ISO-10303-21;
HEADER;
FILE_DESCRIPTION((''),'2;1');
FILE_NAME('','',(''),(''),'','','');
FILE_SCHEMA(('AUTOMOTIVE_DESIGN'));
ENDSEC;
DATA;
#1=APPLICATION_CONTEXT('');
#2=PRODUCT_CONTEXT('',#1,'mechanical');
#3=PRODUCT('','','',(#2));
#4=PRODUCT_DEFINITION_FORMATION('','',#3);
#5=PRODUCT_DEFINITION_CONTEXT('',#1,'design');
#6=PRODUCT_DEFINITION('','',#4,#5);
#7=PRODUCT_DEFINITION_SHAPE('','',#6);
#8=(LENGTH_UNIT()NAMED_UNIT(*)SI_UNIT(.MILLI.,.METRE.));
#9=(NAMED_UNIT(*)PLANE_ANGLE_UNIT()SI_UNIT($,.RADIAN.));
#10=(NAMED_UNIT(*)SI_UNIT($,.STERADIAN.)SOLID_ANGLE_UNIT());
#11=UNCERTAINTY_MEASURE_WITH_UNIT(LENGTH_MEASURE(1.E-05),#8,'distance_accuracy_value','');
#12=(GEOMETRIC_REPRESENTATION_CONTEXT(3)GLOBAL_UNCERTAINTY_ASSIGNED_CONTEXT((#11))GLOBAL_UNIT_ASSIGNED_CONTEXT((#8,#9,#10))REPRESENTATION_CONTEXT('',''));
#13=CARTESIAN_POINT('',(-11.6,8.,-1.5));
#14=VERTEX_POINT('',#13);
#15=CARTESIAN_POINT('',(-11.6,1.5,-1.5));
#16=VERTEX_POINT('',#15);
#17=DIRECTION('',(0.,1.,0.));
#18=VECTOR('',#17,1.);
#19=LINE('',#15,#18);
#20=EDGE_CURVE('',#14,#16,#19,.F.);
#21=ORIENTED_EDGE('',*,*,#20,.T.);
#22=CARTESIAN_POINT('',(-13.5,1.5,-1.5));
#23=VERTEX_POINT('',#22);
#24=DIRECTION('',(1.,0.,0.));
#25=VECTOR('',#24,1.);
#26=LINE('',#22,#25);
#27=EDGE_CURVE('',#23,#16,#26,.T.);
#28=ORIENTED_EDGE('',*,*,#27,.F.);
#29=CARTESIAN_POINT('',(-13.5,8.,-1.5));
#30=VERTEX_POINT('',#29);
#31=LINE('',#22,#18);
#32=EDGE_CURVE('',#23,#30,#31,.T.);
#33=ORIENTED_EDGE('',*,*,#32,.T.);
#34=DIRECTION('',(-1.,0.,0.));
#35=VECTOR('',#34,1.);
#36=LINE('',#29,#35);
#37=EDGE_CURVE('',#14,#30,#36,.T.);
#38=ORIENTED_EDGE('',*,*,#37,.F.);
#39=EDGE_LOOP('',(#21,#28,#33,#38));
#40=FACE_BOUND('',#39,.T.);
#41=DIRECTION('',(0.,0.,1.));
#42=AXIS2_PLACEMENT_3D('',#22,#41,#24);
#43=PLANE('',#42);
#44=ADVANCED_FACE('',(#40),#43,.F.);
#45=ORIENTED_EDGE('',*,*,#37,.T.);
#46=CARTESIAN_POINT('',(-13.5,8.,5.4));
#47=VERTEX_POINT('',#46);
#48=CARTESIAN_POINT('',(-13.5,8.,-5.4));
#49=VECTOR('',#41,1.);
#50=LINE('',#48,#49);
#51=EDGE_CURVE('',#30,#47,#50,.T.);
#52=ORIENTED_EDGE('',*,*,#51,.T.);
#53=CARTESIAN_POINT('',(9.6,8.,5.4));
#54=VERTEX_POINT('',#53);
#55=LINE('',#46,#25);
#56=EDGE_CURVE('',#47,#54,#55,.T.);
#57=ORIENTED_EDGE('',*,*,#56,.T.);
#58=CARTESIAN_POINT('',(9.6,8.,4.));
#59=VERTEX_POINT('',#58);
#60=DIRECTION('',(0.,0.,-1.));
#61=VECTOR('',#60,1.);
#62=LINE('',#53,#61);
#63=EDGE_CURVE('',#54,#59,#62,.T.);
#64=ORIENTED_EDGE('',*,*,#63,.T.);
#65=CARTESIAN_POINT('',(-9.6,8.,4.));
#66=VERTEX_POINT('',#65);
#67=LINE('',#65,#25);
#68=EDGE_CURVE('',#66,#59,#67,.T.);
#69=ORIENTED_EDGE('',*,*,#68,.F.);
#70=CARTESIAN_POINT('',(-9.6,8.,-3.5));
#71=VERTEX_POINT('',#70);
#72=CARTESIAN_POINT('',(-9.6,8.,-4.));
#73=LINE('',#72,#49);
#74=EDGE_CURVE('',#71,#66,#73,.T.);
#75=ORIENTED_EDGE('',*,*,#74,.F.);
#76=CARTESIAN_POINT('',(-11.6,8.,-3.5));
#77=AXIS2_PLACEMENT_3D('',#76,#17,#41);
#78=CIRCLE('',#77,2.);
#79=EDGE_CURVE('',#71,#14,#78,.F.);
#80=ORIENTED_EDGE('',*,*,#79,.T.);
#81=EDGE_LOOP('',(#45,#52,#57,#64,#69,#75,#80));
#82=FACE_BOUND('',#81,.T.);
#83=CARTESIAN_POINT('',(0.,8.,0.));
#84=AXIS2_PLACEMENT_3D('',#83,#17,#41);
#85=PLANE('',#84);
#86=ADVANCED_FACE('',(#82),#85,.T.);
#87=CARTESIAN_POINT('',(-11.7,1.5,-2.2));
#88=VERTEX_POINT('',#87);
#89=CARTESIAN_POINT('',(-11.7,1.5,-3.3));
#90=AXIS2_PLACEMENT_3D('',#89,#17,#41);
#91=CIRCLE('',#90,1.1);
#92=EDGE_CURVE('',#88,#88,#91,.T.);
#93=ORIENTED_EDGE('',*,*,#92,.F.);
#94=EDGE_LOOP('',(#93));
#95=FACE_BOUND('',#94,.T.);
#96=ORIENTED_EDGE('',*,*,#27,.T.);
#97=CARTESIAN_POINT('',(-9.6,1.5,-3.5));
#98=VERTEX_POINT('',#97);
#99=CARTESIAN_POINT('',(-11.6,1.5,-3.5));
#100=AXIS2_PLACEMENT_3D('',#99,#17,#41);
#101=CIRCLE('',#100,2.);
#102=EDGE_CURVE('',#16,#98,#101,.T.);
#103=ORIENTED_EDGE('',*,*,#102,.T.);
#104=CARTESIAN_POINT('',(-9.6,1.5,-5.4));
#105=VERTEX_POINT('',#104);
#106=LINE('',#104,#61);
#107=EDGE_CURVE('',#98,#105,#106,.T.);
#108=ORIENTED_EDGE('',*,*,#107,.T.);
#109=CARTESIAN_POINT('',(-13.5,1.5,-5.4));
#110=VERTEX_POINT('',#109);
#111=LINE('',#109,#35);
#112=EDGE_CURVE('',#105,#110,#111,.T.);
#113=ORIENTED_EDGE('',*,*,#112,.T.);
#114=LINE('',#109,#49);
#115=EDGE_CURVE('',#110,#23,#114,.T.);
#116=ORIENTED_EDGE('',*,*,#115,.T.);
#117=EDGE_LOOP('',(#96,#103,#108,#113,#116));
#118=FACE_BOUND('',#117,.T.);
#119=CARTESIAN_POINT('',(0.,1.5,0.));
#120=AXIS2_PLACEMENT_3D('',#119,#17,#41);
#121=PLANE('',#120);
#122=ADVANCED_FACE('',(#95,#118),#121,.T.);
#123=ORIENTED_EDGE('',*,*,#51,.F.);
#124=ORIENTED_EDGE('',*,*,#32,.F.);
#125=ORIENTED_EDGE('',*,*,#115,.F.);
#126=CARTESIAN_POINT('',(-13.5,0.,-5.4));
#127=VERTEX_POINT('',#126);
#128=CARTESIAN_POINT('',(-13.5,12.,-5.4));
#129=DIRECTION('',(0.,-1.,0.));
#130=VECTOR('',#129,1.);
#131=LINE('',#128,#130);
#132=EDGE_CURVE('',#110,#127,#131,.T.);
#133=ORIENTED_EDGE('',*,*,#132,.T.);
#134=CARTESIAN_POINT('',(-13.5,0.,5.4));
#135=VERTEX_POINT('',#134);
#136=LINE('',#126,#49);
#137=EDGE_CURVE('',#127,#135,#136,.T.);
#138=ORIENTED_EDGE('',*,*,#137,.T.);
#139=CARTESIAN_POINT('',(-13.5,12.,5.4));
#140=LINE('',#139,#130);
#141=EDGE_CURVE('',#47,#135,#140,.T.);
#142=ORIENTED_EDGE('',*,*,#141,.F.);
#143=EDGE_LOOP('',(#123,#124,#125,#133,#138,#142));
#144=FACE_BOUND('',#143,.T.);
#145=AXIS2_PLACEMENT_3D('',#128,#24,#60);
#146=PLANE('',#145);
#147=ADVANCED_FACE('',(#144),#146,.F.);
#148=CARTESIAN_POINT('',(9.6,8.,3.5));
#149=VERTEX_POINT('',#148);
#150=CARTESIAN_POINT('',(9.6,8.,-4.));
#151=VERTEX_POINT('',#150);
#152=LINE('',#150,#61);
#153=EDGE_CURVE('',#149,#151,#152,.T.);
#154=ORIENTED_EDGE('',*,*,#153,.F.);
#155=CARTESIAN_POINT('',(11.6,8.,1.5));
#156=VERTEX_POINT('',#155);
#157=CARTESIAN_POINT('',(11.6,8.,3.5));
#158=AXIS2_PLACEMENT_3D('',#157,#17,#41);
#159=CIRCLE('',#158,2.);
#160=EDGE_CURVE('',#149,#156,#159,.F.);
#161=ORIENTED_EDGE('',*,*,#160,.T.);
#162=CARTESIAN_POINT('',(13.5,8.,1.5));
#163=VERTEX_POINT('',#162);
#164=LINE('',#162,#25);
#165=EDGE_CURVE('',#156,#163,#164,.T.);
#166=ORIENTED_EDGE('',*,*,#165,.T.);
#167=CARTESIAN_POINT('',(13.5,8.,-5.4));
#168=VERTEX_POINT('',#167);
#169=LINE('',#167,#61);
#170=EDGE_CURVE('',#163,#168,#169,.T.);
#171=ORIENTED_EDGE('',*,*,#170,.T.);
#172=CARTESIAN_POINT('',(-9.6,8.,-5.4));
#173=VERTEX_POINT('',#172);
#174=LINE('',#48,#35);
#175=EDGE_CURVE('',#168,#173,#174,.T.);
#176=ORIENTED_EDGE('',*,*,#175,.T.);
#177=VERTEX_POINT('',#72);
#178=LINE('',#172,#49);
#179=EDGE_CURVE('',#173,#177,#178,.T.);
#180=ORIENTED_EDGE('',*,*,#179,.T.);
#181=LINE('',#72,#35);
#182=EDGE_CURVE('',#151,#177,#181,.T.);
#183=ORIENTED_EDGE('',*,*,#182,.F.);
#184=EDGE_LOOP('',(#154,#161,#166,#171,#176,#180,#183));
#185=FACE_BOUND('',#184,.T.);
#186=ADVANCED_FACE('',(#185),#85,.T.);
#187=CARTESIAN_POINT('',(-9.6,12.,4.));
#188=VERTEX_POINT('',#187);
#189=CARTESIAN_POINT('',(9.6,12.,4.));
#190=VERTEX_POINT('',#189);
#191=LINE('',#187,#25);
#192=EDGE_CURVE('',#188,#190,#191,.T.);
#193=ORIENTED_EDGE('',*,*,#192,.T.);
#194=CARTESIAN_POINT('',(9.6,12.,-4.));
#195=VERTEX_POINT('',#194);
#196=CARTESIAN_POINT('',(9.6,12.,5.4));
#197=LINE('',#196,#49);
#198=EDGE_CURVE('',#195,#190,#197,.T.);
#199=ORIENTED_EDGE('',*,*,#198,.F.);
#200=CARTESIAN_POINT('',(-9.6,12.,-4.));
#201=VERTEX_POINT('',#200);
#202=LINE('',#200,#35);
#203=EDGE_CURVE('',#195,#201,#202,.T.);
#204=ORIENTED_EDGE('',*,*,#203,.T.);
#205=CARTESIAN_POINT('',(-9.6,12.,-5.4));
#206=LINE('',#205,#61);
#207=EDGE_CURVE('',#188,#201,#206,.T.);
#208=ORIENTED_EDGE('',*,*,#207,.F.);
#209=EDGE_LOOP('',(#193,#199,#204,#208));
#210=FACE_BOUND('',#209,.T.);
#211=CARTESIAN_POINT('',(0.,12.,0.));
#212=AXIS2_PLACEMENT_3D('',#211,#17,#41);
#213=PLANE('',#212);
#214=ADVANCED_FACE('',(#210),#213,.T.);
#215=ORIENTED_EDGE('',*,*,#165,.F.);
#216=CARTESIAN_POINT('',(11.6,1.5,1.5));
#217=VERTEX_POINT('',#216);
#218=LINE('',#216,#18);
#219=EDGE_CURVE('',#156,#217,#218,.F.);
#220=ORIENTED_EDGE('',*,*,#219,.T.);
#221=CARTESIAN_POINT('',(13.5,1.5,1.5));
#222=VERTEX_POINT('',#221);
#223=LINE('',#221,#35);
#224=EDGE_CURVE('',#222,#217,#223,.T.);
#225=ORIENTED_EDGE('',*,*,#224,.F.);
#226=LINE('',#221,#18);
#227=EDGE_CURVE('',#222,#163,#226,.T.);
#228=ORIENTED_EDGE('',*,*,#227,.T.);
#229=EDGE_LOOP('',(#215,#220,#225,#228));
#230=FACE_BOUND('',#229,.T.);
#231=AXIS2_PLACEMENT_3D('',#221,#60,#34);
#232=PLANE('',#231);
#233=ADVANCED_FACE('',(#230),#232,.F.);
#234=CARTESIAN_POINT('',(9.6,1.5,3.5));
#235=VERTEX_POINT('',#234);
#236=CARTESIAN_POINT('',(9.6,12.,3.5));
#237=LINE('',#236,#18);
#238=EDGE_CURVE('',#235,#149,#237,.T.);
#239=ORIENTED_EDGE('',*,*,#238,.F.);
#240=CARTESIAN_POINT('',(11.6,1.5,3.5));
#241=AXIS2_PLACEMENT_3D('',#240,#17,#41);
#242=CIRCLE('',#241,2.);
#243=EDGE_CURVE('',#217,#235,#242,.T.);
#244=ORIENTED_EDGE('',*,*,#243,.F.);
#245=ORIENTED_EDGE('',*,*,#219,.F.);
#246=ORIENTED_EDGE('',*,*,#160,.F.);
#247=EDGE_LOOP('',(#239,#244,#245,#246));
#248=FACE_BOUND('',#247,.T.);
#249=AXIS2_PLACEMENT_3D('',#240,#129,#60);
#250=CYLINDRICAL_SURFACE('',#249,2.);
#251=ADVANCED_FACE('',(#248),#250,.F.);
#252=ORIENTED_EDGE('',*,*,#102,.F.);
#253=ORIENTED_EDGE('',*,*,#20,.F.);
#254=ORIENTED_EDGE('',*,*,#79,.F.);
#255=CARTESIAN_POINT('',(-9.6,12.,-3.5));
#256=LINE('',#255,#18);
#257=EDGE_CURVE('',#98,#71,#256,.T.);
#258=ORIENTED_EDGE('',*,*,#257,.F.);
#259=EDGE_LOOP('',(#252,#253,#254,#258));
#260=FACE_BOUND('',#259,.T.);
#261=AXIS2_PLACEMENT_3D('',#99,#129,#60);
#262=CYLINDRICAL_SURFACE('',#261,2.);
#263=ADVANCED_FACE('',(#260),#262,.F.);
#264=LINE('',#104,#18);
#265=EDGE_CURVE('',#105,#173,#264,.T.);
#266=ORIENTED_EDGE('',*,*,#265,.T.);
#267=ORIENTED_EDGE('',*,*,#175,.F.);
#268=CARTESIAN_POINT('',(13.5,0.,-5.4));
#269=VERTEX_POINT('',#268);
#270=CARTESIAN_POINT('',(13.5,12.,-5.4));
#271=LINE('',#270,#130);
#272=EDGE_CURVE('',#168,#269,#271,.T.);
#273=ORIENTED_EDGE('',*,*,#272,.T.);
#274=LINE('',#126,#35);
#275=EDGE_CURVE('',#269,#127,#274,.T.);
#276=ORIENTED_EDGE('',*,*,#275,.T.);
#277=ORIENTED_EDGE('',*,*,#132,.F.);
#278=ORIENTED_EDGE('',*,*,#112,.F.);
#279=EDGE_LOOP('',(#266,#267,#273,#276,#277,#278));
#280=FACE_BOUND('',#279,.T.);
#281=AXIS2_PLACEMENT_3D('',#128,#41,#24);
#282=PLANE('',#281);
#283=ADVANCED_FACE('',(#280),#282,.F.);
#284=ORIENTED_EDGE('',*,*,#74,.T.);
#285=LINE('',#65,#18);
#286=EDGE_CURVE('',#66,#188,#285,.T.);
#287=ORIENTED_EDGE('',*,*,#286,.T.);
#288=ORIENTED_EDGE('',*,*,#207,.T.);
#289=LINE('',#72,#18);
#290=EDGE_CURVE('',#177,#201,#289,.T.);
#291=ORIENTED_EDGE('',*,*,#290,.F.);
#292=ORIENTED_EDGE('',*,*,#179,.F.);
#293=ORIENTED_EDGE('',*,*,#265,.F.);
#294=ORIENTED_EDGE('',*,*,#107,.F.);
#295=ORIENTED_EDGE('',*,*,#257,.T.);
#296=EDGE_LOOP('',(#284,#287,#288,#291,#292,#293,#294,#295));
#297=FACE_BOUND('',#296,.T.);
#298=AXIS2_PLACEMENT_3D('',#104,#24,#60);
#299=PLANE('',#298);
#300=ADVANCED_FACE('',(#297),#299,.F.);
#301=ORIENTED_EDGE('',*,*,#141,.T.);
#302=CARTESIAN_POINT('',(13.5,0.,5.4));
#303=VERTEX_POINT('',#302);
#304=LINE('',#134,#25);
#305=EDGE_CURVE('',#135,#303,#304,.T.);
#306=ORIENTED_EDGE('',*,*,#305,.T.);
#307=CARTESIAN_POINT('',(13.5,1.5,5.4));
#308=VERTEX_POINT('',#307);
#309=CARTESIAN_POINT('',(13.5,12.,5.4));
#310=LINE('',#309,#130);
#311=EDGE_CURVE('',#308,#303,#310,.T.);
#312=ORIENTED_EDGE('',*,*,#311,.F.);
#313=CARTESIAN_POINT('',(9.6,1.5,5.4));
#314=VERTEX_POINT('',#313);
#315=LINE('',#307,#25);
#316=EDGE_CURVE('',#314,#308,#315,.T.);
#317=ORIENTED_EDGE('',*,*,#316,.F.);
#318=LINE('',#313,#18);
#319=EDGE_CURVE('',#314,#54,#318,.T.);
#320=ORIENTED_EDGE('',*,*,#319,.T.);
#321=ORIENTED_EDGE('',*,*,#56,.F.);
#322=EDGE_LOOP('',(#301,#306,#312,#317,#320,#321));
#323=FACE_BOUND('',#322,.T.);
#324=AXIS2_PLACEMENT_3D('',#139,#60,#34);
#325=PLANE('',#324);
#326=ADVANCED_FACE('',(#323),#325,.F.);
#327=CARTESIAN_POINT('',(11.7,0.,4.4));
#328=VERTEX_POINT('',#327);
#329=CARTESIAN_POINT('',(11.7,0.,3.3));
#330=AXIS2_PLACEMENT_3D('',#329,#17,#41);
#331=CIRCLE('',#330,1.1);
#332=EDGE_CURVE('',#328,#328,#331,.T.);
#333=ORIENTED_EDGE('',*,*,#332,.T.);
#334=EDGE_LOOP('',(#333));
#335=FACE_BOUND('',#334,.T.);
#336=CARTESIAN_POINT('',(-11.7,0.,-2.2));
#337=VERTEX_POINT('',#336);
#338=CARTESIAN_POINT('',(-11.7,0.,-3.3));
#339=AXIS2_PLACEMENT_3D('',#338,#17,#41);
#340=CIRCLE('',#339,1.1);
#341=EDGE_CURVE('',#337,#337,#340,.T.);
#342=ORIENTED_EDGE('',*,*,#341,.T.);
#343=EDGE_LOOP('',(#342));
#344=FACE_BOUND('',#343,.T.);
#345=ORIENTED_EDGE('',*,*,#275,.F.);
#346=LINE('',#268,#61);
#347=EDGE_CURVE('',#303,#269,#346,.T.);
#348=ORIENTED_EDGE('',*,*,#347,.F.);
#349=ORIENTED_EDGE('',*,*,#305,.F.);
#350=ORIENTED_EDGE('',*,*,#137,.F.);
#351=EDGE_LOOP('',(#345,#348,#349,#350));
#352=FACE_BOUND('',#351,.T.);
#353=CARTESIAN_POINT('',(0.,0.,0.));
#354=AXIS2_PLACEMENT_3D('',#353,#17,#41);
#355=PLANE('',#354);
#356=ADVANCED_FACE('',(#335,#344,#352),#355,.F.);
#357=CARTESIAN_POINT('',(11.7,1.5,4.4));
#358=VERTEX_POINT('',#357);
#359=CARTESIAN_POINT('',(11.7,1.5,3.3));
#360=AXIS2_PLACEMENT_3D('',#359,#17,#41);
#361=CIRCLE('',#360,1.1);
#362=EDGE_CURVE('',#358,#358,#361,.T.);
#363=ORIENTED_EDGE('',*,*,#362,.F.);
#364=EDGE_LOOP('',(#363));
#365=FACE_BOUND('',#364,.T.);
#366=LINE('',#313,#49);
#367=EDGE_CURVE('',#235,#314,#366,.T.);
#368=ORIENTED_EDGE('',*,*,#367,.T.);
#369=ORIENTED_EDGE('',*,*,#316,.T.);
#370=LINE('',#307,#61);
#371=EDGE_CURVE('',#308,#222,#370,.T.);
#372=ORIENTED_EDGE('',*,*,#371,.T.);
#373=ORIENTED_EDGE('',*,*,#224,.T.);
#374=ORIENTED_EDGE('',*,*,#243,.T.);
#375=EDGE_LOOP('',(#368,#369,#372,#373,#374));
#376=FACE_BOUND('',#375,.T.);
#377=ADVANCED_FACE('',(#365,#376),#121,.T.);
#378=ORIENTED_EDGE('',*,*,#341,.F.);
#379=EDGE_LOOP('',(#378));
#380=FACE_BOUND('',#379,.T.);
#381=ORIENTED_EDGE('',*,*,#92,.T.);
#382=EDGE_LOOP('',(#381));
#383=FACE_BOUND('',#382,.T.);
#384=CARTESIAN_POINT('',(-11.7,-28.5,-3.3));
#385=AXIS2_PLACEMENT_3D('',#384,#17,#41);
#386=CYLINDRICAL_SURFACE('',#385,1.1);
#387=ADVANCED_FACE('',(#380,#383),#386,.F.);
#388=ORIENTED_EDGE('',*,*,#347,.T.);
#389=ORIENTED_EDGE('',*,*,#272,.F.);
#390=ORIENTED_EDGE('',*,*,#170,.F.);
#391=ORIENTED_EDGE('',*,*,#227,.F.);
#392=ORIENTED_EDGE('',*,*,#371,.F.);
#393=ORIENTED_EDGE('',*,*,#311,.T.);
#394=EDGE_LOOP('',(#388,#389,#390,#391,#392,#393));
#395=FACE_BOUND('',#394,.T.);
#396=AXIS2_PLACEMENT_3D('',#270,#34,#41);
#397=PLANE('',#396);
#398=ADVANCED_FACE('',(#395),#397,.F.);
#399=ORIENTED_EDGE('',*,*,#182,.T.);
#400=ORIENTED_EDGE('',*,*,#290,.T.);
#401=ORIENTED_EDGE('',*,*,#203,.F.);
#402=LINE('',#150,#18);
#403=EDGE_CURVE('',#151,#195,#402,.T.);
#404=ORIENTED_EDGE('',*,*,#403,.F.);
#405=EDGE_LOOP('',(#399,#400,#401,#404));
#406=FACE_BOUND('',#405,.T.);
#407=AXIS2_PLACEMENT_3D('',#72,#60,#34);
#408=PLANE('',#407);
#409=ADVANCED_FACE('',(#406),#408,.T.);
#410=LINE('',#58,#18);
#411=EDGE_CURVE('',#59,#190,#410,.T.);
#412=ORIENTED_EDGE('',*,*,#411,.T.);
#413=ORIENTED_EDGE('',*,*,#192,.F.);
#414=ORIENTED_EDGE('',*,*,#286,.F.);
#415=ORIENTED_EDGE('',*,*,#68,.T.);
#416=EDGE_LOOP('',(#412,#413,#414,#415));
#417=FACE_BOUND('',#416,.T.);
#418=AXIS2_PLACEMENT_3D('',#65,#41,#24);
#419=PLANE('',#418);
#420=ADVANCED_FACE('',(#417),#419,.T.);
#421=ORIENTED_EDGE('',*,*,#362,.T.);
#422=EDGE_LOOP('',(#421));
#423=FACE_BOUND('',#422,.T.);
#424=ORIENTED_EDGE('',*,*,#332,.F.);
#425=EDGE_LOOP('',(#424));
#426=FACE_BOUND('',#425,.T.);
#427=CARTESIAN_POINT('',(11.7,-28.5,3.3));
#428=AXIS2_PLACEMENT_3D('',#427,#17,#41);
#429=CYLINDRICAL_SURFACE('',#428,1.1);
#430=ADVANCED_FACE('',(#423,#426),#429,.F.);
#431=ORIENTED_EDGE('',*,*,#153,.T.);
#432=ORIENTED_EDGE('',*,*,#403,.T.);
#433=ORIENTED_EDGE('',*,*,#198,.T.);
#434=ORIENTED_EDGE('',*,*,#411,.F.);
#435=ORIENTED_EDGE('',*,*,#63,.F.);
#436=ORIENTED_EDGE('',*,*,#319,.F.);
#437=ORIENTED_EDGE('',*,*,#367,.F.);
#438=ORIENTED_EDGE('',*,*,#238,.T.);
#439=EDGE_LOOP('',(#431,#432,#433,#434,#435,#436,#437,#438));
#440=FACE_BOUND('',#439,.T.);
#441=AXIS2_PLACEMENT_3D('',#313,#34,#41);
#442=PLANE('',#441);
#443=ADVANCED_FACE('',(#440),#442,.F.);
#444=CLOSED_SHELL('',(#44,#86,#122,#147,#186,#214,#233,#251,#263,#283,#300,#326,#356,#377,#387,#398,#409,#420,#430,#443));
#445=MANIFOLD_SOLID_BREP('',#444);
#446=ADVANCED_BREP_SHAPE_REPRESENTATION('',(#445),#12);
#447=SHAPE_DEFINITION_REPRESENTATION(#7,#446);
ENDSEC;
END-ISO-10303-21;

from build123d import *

# Parameters (mm, degrees)
SKETCH_1_W          = 27
SKETCH_1_H          = 10.8
EXTRUDE_1_DEPTH     = 12
SKETCH_2_W          = 3.9
SKETCH_2_H          = 3.9
CUT_EXTRUDE_1_DEPTH = 10.5
FILLET_1_R          = 2
SKETCH_3_R          = 1.1
CUT_EXTRUDE_2_DEPTH = 40.5
SKETCH_4_W          = 27
SKETCH_4_H          = 10.8
SKETCH_4_W_2        = 19.2
SKETCH_4_H_2        = 8
CUT_EXTRUDE_3_DEPTH = 4


with BuildPart() as part:
    # 스케치1 → 보스-돌출1 (new body)
    with BuildSketch(Plane(origin=(0, 0, 0), x_dir=(1, 0, 0), z_dir=(0, 1, 0))):
        Rectangle(SKETCH_1_W, SKETCH_1_H)
    extrude(amount=EXTRUDE_1_DEPTH)

    # 스케치2 → 컷-돌출1 (cut)
    with BuildSketch(Plane(origin=(0, 12, 0), x_dir=(1, 0, 0), z_dir=(0, 1, 0))):
        with Locations((-11.55, 3.45)):
            Rectangle(SKETCH_2_W, SKETCH_2_H)
        with Locations((11.55, -3.45)):
            Rectangle(SKETCH_2_W, SKETCH_2_H)
    extrude(amount=-CUT_EXTRUDE_1_DEPTH, mode=Mode.SUBTRACT)

    # 필렛1
    fillet_1_edges = [part.edges().sort_by_distance(p)[0] for p in [
        (-9.6, 6.75, -1.5),
        (9.6, 6.75, 1.5),
    ]]
    fillet(fillet_1_edges, radius=FILLET_1_R)

    # 스케치3 → 컷-돌출2 (cut)
    with BuildSketch(Plane(origin=(0, 12, 0), x_dir=(1, 0, 0), z_dir=(0, 1, 0))):
        with Locations((-11.7, 3.3)):
            Circle(SKETCH_3_R)
        with Locations((11.7, -3.3)):
            Circle(SKETCH_3_R)
    extrude(amount=-CUT_EXTRUDE_2_DEPTH, mode=Mode.SUBTRACT)

    # 스케치4 → 컷-돌출3 (cut)
    with BuildSketch(Plane(origin=(0, 12, 0), x_dir=(1, 0, 0), z_dir=(0, 1, 0))):
        Rectangle(SKETCH_4_W, SKETCH_4_H)
        Rectangle(SKETCH_4_W_2, SKETCH_4_H_2, mode=Mode.SUBTRACT)
    extrude(amount=-CUT_EXTRUDE_3_DEPTH, mode=Mode.SUBTRACT)


solid = part.part
